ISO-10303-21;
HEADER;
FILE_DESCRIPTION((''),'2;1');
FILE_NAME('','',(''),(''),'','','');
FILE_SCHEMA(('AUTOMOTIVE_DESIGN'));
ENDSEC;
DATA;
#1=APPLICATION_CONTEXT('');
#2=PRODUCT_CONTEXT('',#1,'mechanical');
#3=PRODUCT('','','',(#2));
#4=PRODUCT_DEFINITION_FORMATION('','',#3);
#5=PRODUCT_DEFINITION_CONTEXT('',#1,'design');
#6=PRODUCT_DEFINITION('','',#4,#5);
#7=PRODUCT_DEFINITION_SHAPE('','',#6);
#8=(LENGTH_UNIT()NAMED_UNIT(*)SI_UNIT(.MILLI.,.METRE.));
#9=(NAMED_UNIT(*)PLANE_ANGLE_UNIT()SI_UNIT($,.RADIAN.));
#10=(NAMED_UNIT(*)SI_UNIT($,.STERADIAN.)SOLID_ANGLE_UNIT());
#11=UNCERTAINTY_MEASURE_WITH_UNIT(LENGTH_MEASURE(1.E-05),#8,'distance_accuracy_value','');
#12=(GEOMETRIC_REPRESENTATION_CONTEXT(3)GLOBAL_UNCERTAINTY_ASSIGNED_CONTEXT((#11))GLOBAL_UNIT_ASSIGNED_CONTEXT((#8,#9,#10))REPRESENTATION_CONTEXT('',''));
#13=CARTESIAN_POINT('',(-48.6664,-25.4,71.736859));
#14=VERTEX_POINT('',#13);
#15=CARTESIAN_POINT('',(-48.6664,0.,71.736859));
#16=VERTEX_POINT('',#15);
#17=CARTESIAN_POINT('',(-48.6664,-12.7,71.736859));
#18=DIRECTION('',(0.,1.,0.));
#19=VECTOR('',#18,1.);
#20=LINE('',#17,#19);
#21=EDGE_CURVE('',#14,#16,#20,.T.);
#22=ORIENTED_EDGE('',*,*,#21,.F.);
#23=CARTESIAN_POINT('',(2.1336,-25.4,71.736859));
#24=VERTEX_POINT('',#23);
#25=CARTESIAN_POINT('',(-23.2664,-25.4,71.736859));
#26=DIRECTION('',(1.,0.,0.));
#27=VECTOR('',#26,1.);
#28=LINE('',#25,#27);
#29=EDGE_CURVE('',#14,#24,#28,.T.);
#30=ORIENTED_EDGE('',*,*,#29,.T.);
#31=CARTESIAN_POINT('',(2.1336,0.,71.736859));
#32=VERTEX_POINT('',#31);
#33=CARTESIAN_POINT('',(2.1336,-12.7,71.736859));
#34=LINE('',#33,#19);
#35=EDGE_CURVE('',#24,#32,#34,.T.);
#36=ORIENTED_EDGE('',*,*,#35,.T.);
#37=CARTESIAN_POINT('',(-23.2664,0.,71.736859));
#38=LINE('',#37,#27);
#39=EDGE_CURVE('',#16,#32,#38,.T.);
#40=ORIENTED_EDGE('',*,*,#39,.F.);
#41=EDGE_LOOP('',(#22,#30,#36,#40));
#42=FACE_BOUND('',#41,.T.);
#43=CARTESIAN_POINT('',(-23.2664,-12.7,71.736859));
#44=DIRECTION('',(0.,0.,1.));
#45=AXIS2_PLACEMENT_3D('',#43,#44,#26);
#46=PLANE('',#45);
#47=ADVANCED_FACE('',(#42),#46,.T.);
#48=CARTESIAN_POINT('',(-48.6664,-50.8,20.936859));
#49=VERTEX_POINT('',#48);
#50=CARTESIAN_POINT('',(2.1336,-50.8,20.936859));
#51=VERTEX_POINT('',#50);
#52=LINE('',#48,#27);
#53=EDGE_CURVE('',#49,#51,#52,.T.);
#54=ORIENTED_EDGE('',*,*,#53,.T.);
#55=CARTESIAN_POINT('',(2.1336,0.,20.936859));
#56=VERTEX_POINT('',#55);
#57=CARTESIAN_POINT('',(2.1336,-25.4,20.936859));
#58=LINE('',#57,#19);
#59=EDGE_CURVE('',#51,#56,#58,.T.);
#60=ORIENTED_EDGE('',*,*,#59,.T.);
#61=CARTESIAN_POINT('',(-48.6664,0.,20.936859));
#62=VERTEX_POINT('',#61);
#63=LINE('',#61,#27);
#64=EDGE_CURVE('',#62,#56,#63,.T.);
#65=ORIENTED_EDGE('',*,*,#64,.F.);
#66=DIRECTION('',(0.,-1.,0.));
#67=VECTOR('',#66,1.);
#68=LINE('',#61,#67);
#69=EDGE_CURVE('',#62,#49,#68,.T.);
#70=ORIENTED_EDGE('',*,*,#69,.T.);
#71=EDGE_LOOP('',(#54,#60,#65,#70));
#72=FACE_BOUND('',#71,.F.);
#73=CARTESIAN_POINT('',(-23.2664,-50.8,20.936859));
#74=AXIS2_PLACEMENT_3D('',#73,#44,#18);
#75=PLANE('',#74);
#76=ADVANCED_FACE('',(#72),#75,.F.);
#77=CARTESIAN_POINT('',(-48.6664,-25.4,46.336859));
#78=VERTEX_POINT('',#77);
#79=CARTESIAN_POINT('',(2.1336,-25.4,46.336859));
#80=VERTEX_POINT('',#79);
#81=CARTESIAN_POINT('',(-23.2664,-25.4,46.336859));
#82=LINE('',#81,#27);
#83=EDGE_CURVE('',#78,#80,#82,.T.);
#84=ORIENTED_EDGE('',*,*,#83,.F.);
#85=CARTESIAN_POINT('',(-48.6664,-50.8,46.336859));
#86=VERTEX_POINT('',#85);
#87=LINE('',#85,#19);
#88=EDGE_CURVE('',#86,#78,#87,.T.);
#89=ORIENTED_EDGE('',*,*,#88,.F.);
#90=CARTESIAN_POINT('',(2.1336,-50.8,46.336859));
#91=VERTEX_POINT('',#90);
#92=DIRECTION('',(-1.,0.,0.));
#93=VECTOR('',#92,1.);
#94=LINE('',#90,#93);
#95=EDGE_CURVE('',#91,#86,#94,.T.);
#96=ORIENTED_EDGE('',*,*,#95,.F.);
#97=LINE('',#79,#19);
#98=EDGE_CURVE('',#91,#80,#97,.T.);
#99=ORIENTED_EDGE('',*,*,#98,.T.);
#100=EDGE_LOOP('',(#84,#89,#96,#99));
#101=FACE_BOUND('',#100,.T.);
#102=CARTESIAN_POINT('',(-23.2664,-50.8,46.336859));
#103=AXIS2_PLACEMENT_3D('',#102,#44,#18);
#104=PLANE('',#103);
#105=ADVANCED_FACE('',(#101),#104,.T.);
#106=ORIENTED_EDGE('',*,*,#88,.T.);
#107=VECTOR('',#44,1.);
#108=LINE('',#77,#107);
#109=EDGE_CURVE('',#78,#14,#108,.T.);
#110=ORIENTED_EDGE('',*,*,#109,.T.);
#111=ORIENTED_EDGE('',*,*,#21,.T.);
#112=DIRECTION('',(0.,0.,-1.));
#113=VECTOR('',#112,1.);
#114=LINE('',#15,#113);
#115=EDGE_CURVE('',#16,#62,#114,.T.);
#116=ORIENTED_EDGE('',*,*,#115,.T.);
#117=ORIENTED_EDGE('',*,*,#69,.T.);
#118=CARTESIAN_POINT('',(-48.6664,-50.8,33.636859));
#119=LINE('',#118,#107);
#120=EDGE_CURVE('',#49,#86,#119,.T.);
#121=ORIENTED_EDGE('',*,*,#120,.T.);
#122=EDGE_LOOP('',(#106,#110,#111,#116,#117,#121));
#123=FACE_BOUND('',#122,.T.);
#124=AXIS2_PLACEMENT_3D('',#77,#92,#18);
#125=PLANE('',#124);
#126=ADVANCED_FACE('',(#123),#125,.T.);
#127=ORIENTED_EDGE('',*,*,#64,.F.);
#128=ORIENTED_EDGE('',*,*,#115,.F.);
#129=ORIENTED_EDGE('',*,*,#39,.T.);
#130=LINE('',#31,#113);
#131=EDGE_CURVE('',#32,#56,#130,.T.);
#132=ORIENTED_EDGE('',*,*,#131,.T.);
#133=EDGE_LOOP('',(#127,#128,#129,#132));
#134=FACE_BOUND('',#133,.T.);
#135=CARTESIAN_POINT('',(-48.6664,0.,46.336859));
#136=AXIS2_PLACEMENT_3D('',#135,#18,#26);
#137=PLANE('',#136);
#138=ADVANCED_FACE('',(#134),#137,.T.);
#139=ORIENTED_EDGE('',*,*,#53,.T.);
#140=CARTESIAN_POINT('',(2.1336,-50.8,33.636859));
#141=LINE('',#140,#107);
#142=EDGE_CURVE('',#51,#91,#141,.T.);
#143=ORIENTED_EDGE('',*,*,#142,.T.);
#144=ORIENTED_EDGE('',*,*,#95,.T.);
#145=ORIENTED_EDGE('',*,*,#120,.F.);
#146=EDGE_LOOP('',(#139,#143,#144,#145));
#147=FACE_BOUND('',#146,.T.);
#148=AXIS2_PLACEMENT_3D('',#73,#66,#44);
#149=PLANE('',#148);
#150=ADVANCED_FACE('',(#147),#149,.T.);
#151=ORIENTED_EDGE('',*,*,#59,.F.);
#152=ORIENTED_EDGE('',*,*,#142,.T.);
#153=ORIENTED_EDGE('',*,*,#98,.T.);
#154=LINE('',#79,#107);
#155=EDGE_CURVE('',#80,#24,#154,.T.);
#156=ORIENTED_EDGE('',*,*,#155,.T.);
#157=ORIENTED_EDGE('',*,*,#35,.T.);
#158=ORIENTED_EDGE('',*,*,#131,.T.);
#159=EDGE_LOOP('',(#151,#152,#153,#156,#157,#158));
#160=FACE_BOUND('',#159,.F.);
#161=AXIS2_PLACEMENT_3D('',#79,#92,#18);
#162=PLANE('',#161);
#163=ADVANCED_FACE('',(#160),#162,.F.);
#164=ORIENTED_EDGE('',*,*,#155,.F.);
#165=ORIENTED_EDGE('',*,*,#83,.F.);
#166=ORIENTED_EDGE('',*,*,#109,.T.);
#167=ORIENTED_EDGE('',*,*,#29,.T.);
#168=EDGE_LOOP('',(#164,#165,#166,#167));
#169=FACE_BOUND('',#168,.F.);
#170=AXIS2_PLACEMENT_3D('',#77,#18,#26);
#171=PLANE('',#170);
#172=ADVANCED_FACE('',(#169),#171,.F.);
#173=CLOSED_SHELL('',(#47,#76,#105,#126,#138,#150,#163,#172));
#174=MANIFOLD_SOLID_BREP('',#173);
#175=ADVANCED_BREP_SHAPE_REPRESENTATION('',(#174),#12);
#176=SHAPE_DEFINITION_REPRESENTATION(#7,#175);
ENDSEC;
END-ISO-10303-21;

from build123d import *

# Parameters (mm, degrees)
F0_W     = 25.4
F0_H     = 25.4
F1_DEPTH = 25.4
F2_W     = 25.4
F2_H     = 25.4
F3_DEPTH = 25.4
F4_W     = 50.8
F4_H     = 25.4
F5_DEPTH = 25.4
F6_W     = 50.8
F6_H     = 25.4
F7_DEPTH = 25.4


with BuildPart() as f1:
    # F0 (on Front) → F1 (new body)
    with BuildSketch(Plane.XZ):
        with Locations((-35.9664, 33.636859)):
            Rectangle(F0_W, F0_H)
    extrude(amount=F1_DEPTH)

    # F2 (on face) → F3 (join)
    with BuildSketch(Plane.XZ.offset(25.4)):
        with Locations((-35.9664, 33.636859)):
            Rectangle(F2_W, F2_H)
    extrude(amount=F3_DEPTH)

    # F4 (on face) → F5 (join)
    with BuildSketch(Plane.YZ.offset(-23.2664)):
        with Locations((-25.4, 33.636859)):
            Rectangle(F4_W, F4_H)
    extrude(amount=F5_DEPTH)

    # F6 (on face) → F7 (join)
    with BuildSketch(Plane.XY.offset(46.336859)):
        with Locations((-23.2664, -12.7)):
            Rectangle(F6_W, F6_H)
    extrude(amount=F7_DEPTH)


solid = f1.part
